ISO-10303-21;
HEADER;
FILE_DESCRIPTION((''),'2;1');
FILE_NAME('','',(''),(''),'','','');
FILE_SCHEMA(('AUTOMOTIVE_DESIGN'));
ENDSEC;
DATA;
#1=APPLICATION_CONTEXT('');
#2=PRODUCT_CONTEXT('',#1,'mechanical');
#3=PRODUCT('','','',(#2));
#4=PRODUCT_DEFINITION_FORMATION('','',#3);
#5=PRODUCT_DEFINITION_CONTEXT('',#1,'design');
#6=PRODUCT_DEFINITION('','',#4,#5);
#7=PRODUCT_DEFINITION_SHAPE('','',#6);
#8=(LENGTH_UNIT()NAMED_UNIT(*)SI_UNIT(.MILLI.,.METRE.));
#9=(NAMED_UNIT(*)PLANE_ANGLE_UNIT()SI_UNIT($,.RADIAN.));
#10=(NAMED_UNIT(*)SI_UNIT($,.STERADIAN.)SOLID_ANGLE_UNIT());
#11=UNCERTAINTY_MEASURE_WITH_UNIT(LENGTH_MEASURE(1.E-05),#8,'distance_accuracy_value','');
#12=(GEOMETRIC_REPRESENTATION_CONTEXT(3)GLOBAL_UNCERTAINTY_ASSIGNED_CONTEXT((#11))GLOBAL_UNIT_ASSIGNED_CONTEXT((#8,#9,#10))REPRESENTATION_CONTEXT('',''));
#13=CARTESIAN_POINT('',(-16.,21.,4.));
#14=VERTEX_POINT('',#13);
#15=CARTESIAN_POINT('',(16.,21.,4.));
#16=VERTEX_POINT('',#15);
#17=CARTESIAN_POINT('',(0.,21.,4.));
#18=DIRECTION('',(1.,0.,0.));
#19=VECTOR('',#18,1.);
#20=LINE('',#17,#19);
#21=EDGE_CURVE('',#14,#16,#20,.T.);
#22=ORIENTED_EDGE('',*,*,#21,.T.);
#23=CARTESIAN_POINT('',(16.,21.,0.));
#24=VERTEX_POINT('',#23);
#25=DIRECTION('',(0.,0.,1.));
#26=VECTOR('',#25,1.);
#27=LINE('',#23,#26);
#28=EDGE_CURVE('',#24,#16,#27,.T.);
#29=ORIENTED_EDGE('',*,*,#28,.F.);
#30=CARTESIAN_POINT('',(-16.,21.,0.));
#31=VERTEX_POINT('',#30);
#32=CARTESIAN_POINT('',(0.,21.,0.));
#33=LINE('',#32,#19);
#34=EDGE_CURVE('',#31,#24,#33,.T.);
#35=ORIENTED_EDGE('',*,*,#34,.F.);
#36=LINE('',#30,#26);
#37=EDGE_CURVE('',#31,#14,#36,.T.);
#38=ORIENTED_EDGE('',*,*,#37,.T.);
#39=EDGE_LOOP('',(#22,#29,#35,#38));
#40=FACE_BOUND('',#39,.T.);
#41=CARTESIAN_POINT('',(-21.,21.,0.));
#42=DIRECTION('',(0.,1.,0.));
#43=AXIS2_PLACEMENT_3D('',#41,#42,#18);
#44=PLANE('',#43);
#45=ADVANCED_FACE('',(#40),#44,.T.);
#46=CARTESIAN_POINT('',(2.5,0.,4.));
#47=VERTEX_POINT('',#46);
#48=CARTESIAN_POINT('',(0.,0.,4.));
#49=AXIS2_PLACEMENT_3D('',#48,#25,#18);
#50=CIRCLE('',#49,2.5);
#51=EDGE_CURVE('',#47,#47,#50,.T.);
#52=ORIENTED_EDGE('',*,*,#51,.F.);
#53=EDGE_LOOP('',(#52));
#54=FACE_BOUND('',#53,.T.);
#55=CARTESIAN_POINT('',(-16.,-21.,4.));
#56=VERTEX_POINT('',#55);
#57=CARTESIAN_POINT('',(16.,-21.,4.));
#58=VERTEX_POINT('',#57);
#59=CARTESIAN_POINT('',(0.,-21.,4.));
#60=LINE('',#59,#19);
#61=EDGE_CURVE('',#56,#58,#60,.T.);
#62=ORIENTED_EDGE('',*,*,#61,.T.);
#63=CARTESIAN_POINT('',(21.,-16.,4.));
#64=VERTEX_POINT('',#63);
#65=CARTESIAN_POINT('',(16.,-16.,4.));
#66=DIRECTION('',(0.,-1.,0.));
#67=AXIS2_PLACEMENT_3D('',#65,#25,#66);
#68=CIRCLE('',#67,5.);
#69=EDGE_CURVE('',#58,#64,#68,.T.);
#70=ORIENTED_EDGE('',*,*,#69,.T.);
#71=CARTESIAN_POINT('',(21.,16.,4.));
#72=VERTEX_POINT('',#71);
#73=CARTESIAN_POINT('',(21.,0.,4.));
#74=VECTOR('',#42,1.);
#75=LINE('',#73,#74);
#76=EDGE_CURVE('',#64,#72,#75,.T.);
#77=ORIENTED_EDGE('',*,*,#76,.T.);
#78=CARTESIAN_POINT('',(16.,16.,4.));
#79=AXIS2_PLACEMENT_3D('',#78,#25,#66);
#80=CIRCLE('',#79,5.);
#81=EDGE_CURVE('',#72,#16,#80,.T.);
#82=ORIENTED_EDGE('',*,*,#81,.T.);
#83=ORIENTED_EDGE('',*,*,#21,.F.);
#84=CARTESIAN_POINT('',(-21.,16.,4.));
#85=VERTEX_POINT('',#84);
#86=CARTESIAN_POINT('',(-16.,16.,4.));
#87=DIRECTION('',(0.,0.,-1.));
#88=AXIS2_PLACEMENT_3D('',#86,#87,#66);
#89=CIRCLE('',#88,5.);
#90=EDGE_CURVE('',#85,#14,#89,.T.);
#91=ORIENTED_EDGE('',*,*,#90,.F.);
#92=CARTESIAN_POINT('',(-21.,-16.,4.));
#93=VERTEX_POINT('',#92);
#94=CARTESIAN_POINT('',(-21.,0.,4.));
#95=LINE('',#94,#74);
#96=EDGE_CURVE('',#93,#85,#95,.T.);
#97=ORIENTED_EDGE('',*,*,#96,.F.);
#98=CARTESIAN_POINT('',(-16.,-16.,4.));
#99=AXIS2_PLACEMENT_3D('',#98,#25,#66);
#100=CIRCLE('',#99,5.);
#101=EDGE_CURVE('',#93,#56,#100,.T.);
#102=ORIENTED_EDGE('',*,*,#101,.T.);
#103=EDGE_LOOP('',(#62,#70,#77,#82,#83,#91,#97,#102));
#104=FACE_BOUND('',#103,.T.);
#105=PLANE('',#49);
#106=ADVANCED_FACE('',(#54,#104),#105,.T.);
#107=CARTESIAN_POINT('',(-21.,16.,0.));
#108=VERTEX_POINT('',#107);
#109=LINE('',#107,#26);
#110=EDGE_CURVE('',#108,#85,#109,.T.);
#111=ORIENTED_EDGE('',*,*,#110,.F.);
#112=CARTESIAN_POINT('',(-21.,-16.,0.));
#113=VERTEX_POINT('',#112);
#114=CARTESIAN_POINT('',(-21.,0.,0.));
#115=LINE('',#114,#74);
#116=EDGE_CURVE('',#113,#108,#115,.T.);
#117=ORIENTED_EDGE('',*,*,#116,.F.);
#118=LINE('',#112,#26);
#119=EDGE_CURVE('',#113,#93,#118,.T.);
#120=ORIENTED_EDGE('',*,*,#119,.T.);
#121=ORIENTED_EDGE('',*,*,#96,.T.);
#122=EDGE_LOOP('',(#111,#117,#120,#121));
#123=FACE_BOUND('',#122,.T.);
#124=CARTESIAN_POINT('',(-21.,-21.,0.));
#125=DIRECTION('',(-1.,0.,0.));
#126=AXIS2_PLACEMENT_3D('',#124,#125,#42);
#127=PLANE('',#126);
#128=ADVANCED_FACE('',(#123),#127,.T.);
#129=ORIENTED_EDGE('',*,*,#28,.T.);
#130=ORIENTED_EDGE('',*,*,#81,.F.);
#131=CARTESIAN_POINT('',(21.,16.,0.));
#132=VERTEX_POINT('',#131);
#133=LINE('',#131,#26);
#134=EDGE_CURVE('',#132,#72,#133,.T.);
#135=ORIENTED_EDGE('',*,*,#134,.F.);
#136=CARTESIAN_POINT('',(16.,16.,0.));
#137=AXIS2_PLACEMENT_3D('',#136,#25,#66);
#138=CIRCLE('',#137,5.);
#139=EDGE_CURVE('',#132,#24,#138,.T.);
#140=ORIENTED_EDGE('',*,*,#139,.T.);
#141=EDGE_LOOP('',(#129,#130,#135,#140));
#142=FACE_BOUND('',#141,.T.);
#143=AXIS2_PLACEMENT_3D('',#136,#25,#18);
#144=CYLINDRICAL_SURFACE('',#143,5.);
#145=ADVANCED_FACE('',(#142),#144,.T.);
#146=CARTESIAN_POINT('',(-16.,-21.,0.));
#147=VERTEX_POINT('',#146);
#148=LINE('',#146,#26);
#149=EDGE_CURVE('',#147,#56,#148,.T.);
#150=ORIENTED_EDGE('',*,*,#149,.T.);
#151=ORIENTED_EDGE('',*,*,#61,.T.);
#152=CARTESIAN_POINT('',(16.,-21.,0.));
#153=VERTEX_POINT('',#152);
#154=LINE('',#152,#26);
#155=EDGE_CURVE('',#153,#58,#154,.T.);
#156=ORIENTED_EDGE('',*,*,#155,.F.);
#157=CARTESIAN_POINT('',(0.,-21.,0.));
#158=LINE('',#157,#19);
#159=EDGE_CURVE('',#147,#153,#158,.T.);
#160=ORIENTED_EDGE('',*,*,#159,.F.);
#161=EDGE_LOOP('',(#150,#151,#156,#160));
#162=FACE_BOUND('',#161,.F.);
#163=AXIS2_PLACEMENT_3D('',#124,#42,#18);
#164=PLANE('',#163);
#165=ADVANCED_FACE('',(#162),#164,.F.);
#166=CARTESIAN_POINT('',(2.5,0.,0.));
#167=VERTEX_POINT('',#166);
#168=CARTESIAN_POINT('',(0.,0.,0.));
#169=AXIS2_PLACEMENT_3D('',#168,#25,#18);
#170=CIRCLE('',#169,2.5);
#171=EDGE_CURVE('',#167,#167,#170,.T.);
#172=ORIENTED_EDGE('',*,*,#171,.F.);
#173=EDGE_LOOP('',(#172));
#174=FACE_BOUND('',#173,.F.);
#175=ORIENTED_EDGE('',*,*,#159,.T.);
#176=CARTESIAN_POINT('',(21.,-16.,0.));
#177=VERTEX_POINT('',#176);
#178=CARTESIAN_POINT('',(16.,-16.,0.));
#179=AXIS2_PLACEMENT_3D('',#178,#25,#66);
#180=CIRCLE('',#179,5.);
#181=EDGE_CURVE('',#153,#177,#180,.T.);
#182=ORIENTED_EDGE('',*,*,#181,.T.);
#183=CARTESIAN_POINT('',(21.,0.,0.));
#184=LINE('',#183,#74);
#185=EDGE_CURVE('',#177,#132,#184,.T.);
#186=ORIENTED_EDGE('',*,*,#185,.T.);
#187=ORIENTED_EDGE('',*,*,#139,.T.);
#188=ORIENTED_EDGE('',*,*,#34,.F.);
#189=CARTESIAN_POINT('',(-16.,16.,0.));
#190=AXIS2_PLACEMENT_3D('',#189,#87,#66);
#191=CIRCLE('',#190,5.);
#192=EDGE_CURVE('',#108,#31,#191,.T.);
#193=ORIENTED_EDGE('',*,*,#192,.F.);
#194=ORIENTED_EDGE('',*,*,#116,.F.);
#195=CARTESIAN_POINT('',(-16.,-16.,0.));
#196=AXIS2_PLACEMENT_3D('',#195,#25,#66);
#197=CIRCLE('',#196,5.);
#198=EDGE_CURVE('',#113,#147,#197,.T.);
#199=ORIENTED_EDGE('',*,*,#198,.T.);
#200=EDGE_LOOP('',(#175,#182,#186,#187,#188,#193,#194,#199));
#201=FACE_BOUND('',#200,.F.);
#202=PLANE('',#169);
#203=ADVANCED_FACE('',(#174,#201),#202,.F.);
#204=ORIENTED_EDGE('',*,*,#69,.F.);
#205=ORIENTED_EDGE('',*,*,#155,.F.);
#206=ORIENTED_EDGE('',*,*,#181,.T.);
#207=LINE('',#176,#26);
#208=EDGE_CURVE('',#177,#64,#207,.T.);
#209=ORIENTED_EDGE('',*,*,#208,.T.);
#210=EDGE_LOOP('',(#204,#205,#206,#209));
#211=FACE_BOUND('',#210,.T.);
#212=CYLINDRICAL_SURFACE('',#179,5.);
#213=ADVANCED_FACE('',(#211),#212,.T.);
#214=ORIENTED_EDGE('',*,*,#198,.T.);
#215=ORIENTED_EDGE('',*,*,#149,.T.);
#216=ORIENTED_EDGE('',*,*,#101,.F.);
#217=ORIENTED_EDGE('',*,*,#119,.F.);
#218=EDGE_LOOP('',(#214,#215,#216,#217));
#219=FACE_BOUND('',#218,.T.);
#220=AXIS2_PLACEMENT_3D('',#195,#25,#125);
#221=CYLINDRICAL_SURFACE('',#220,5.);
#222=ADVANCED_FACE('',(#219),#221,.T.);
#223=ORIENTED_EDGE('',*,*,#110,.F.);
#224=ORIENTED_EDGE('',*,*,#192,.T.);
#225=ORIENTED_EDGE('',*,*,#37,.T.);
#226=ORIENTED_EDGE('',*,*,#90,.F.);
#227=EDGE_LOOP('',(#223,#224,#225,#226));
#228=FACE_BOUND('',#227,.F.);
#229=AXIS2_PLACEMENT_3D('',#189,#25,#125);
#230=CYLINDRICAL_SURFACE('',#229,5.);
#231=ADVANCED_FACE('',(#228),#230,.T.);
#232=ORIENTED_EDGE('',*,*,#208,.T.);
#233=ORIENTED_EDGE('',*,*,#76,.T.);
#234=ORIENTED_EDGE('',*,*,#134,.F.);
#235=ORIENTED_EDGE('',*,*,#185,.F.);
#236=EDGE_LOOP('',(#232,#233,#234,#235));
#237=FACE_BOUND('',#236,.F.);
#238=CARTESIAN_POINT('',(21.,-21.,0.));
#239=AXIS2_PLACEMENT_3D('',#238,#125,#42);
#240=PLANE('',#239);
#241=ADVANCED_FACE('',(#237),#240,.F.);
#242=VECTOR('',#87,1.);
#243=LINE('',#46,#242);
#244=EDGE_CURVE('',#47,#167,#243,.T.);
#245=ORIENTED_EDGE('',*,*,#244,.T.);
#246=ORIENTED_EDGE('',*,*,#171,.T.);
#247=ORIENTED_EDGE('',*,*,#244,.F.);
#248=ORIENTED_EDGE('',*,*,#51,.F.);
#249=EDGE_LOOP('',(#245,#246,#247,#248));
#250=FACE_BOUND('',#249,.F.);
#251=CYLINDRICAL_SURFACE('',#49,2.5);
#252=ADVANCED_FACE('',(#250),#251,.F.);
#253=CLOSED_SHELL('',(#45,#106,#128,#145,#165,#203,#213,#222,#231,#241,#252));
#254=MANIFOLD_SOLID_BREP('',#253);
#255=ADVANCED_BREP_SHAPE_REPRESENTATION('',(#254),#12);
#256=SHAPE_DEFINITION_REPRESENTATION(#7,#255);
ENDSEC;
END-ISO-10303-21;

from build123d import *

# Parameters (mm, degrees)
F0_W     = 42
F0_H     = 42
F1_DEPTH = 4
F3_R     = 5
F4_R     = 2.5
F5_DEPTH = 25


with BuildPart() as f1:
    # F0 (on Top) → F1 (new body)
    with BuildSketch(Plane.XY):
        Rectangle(F0_W, F0_H)
    extrude(amount=F1_DEPTH)

    # F3
    f3_edges = [f1.edges().sort_by_distance(p)[0] for p in [
        (-21, 21, 2),
        (-21, -21, 2),
        (21, -21, 2),
        (21, 21, 2),
    ]]
    fillet(f3_edges, radius=F3_R)

    # F4 (on face) → F5 (cut)
    with BuildSketch(Plane.XY.offset(4)):
        Circle(F4_R)
    extrude(amount=-F5_DEPTH, mode=Mode.SUBTRACT)


solid = f1.part
